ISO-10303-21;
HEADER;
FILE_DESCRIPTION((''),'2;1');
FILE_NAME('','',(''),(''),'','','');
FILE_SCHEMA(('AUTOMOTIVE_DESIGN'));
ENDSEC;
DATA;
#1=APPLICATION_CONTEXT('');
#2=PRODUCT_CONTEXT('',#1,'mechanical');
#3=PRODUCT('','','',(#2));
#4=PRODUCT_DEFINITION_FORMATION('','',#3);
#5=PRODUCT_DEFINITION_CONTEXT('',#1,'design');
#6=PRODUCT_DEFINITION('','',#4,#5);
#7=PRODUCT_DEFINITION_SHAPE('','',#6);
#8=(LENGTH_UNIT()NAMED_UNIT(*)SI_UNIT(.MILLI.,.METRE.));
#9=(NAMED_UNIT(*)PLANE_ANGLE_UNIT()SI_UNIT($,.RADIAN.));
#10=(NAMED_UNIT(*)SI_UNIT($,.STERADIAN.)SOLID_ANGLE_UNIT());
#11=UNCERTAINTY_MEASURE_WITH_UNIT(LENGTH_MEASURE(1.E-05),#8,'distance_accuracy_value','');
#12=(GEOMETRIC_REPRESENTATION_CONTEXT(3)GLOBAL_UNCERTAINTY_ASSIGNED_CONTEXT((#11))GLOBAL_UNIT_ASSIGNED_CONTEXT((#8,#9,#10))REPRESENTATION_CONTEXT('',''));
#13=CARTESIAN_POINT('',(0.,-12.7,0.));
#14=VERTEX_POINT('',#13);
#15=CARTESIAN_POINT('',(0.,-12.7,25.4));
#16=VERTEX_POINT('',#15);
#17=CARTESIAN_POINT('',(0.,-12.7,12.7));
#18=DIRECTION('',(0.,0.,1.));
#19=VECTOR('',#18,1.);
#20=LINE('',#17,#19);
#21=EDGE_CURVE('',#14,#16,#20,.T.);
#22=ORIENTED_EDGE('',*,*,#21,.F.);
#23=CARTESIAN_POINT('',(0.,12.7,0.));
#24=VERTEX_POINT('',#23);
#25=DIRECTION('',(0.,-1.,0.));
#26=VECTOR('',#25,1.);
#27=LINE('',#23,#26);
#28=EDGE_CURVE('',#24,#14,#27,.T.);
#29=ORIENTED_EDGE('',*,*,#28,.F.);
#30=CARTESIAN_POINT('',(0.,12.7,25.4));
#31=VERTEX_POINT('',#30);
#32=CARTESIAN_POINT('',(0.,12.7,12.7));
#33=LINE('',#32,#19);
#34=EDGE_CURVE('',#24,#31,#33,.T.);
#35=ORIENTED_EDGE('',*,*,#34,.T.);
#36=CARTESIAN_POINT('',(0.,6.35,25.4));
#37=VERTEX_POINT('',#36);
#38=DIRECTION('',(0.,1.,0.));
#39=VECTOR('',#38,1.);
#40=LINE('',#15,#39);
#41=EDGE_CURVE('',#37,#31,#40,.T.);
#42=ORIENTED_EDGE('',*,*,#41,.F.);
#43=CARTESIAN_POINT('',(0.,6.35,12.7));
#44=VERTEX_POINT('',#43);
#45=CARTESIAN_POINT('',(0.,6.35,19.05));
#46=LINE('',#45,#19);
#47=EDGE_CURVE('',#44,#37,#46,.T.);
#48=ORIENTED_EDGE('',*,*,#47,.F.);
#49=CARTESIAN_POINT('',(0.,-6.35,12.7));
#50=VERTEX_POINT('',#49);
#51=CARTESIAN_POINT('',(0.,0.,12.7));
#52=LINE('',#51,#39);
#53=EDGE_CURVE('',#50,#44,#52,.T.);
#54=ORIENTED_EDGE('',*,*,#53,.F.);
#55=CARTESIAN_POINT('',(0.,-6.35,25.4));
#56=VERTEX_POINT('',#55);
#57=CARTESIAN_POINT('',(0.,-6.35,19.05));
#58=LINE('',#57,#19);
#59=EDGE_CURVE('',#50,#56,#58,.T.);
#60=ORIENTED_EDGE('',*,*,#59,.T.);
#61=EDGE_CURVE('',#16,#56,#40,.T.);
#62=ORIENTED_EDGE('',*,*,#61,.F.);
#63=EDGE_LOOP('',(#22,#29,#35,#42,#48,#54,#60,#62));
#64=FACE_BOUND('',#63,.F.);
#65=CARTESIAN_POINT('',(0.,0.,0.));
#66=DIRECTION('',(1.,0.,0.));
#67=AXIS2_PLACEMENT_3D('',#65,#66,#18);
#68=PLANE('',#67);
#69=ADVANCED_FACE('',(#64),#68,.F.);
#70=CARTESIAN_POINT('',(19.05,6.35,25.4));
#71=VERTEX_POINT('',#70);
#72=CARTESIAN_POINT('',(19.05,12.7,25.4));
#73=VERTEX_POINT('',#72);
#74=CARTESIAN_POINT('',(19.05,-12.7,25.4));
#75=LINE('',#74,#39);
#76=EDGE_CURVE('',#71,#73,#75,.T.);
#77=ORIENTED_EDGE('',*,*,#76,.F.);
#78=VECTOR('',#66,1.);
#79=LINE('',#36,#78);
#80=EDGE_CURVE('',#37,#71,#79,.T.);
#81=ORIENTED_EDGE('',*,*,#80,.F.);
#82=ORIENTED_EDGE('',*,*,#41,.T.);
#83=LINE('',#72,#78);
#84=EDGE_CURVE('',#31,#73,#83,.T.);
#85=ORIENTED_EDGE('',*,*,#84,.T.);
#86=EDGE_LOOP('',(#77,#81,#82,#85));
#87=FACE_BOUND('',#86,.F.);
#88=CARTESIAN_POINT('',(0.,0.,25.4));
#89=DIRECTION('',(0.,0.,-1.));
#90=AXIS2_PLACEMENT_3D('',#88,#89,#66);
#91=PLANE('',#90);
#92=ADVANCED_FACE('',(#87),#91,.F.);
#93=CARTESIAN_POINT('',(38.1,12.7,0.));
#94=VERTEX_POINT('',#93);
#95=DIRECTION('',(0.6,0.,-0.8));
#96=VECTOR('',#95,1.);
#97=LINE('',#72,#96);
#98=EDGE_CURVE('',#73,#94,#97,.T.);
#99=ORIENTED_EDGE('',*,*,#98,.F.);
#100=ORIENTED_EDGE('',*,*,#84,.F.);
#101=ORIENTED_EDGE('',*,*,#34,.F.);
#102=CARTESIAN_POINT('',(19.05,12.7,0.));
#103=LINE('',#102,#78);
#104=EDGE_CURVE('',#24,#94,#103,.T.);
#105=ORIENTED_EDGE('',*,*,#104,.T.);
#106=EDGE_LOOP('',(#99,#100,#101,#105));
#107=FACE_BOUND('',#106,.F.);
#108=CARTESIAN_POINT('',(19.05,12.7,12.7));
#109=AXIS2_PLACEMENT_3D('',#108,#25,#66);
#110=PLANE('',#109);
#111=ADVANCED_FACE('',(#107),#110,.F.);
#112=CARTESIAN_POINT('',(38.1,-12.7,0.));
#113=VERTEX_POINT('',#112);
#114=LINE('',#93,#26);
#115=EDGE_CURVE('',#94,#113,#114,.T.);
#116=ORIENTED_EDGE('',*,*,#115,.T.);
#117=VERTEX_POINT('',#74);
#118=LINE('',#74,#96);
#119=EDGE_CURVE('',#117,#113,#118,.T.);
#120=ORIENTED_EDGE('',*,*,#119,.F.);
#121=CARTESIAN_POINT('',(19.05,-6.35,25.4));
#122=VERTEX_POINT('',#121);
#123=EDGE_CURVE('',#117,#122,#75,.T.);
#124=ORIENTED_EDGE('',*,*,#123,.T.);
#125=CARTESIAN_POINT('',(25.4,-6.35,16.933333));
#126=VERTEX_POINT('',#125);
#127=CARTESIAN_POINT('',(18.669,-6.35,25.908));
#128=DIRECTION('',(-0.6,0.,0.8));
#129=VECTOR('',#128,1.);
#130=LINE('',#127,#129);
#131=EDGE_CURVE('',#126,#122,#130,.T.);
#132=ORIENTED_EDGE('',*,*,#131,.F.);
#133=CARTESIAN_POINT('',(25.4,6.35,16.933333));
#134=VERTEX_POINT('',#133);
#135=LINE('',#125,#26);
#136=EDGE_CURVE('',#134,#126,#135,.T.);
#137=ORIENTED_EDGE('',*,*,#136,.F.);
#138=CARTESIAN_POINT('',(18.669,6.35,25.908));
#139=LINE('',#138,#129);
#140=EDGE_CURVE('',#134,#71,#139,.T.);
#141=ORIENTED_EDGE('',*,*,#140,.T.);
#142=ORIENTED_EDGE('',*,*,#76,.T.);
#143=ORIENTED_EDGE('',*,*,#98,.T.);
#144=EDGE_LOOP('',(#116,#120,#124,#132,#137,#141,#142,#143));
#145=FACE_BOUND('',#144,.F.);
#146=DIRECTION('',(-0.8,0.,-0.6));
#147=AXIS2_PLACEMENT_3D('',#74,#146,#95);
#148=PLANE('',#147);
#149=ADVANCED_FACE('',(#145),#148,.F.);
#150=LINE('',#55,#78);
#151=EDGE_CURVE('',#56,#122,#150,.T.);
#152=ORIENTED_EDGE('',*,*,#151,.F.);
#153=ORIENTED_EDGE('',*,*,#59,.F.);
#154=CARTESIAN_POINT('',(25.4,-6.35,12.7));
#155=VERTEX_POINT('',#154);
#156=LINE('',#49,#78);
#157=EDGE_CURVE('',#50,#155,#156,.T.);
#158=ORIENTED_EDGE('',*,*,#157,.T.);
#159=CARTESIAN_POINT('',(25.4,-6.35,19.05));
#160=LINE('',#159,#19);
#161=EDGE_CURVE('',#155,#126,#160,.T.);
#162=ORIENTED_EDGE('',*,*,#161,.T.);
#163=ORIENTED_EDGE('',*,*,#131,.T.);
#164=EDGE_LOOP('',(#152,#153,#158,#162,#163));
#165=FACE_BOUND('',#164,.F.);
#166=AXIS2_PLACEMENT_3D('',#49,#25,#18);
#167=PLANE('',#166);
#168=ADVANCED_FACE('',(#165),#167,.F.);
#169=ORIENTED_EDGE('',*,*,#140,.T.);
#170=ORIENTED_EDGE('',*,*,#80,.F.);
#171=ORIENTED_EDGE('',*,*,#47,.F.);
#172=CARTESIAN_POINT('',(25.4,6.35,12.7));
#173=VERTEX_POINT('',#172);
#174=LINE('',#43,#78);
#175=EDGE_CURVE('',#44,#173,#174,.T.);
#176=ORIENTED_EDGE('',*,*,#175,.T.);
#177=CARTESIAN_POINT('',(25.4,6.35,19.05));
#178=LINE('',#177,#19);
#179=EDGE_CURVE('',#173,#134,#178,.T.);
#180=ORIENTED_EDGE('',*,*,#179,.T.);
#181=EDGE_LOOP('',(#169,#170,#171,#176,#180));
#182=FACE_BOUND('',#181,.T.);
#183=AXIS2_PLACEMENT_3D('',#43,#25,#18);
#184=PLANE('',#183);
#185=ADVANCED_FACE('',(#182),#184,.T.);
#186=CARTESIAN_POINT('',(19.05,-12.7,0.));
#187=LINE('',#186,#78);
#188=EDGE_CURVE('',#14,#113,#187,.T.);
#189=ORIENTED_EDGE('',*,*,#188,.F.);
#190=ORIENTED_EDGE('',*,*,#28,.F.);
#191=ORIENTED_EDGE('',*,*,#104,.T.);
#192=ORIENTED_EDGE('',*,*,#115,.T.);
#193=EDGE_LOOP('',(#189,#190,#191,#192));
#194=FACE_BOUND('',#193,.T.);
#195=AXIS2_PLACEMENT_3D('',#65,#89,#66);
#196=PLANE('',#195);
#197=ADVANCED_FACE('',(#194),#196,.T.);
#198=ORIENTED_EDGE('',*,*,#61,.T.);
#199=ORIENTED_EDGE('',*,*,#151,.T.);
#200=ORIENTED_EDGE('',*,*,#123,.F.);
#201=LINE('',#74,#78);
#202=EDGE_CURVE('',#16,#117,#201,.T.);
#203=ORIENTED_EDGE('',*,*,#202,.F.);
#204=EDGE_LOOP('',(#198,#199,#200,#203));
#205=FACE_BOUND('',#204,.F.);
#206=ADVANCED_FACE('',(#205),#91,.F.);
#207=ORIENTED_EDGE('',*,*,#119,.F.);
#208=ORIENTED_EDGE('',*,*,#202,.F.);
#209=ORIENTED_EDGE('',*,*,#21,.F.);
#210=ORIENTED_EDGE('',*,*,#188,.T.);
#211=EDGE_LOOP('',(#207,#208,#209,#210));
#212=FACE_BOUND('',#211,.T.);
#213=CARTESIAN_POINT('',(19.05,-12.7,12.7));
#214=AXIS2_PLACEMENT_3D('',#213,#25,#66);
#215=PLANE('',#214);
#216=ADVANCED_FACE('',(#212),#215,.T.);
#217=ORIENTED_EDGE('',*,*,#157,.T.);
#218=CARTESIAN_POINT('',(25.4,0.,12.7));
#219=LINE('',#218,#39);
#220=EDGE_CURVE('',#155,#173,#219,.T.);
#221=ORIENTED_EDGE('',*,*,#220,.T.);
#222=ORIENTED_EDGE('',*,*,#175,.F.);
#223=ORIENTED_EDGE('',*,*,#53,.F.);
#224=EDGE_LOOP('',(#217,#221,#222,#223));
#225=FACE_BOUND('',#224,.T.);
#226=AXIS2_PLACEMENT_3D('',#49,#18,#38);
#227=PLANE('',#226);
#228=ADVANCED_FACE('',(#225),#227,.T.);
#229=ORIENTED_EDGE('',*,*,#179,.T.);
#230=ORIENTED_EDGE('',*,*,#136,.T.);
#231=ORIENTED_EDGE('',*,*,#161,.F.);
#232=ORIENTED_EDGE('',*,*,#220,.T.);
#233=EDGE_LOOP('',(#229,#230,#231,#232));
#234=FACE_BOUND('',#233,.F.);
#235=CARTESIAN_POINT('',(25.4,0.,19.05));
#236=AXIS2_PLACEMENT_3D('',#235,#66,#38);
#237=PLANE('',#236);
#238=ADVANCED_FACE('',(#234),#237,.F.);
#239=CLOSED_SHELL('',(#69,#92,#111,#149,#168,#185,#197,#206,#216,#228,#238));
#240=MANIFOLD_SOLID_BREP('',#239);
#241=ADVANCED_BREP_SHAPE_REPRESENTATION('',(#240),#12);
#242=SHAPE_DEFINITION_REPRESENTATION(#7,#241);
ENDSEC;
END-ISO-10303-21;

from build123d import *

# Parameters (mm, degrees)
F0_W     = 38.1
F0_H     = 25.4
F1_DEPTH = 12.7
F3_DEPTH = 25.4
F4_W     = 12.7
F4_H     = 12.7
F5_DEPTH = 25.4


with BuildPart() as f1:
    # F0 (on Front) → F1 (new body, symmetric)
    with BuildSketch(Plane.XZ):
        with Locations((19.05, 12.7)):
            Rectangle(F0_W, F0_H)
    extrude(amount=F1_DEPTH, both=True)

    # F2 (on face) → F3 (cut)
    with BuildSketch(Plane.XZ.offset(12.7)):
        Polygon((38.1, 25.4), (19.05, 25.4), (38.1, 0), align=None)
    extrude(amount=-F3_DEPTH, mode=Mode.SUBTRACT)

    # F4 (on Right) → F5 (cut)
    with BuildSketch(Plane.YZ):
        with Locations((0, 19.05)):
            Rectangle(F4_W, F4_H)
    extrude(amount=F5_DEPTH, mode=Mode.SUBTRACT)


solid = f1.part
